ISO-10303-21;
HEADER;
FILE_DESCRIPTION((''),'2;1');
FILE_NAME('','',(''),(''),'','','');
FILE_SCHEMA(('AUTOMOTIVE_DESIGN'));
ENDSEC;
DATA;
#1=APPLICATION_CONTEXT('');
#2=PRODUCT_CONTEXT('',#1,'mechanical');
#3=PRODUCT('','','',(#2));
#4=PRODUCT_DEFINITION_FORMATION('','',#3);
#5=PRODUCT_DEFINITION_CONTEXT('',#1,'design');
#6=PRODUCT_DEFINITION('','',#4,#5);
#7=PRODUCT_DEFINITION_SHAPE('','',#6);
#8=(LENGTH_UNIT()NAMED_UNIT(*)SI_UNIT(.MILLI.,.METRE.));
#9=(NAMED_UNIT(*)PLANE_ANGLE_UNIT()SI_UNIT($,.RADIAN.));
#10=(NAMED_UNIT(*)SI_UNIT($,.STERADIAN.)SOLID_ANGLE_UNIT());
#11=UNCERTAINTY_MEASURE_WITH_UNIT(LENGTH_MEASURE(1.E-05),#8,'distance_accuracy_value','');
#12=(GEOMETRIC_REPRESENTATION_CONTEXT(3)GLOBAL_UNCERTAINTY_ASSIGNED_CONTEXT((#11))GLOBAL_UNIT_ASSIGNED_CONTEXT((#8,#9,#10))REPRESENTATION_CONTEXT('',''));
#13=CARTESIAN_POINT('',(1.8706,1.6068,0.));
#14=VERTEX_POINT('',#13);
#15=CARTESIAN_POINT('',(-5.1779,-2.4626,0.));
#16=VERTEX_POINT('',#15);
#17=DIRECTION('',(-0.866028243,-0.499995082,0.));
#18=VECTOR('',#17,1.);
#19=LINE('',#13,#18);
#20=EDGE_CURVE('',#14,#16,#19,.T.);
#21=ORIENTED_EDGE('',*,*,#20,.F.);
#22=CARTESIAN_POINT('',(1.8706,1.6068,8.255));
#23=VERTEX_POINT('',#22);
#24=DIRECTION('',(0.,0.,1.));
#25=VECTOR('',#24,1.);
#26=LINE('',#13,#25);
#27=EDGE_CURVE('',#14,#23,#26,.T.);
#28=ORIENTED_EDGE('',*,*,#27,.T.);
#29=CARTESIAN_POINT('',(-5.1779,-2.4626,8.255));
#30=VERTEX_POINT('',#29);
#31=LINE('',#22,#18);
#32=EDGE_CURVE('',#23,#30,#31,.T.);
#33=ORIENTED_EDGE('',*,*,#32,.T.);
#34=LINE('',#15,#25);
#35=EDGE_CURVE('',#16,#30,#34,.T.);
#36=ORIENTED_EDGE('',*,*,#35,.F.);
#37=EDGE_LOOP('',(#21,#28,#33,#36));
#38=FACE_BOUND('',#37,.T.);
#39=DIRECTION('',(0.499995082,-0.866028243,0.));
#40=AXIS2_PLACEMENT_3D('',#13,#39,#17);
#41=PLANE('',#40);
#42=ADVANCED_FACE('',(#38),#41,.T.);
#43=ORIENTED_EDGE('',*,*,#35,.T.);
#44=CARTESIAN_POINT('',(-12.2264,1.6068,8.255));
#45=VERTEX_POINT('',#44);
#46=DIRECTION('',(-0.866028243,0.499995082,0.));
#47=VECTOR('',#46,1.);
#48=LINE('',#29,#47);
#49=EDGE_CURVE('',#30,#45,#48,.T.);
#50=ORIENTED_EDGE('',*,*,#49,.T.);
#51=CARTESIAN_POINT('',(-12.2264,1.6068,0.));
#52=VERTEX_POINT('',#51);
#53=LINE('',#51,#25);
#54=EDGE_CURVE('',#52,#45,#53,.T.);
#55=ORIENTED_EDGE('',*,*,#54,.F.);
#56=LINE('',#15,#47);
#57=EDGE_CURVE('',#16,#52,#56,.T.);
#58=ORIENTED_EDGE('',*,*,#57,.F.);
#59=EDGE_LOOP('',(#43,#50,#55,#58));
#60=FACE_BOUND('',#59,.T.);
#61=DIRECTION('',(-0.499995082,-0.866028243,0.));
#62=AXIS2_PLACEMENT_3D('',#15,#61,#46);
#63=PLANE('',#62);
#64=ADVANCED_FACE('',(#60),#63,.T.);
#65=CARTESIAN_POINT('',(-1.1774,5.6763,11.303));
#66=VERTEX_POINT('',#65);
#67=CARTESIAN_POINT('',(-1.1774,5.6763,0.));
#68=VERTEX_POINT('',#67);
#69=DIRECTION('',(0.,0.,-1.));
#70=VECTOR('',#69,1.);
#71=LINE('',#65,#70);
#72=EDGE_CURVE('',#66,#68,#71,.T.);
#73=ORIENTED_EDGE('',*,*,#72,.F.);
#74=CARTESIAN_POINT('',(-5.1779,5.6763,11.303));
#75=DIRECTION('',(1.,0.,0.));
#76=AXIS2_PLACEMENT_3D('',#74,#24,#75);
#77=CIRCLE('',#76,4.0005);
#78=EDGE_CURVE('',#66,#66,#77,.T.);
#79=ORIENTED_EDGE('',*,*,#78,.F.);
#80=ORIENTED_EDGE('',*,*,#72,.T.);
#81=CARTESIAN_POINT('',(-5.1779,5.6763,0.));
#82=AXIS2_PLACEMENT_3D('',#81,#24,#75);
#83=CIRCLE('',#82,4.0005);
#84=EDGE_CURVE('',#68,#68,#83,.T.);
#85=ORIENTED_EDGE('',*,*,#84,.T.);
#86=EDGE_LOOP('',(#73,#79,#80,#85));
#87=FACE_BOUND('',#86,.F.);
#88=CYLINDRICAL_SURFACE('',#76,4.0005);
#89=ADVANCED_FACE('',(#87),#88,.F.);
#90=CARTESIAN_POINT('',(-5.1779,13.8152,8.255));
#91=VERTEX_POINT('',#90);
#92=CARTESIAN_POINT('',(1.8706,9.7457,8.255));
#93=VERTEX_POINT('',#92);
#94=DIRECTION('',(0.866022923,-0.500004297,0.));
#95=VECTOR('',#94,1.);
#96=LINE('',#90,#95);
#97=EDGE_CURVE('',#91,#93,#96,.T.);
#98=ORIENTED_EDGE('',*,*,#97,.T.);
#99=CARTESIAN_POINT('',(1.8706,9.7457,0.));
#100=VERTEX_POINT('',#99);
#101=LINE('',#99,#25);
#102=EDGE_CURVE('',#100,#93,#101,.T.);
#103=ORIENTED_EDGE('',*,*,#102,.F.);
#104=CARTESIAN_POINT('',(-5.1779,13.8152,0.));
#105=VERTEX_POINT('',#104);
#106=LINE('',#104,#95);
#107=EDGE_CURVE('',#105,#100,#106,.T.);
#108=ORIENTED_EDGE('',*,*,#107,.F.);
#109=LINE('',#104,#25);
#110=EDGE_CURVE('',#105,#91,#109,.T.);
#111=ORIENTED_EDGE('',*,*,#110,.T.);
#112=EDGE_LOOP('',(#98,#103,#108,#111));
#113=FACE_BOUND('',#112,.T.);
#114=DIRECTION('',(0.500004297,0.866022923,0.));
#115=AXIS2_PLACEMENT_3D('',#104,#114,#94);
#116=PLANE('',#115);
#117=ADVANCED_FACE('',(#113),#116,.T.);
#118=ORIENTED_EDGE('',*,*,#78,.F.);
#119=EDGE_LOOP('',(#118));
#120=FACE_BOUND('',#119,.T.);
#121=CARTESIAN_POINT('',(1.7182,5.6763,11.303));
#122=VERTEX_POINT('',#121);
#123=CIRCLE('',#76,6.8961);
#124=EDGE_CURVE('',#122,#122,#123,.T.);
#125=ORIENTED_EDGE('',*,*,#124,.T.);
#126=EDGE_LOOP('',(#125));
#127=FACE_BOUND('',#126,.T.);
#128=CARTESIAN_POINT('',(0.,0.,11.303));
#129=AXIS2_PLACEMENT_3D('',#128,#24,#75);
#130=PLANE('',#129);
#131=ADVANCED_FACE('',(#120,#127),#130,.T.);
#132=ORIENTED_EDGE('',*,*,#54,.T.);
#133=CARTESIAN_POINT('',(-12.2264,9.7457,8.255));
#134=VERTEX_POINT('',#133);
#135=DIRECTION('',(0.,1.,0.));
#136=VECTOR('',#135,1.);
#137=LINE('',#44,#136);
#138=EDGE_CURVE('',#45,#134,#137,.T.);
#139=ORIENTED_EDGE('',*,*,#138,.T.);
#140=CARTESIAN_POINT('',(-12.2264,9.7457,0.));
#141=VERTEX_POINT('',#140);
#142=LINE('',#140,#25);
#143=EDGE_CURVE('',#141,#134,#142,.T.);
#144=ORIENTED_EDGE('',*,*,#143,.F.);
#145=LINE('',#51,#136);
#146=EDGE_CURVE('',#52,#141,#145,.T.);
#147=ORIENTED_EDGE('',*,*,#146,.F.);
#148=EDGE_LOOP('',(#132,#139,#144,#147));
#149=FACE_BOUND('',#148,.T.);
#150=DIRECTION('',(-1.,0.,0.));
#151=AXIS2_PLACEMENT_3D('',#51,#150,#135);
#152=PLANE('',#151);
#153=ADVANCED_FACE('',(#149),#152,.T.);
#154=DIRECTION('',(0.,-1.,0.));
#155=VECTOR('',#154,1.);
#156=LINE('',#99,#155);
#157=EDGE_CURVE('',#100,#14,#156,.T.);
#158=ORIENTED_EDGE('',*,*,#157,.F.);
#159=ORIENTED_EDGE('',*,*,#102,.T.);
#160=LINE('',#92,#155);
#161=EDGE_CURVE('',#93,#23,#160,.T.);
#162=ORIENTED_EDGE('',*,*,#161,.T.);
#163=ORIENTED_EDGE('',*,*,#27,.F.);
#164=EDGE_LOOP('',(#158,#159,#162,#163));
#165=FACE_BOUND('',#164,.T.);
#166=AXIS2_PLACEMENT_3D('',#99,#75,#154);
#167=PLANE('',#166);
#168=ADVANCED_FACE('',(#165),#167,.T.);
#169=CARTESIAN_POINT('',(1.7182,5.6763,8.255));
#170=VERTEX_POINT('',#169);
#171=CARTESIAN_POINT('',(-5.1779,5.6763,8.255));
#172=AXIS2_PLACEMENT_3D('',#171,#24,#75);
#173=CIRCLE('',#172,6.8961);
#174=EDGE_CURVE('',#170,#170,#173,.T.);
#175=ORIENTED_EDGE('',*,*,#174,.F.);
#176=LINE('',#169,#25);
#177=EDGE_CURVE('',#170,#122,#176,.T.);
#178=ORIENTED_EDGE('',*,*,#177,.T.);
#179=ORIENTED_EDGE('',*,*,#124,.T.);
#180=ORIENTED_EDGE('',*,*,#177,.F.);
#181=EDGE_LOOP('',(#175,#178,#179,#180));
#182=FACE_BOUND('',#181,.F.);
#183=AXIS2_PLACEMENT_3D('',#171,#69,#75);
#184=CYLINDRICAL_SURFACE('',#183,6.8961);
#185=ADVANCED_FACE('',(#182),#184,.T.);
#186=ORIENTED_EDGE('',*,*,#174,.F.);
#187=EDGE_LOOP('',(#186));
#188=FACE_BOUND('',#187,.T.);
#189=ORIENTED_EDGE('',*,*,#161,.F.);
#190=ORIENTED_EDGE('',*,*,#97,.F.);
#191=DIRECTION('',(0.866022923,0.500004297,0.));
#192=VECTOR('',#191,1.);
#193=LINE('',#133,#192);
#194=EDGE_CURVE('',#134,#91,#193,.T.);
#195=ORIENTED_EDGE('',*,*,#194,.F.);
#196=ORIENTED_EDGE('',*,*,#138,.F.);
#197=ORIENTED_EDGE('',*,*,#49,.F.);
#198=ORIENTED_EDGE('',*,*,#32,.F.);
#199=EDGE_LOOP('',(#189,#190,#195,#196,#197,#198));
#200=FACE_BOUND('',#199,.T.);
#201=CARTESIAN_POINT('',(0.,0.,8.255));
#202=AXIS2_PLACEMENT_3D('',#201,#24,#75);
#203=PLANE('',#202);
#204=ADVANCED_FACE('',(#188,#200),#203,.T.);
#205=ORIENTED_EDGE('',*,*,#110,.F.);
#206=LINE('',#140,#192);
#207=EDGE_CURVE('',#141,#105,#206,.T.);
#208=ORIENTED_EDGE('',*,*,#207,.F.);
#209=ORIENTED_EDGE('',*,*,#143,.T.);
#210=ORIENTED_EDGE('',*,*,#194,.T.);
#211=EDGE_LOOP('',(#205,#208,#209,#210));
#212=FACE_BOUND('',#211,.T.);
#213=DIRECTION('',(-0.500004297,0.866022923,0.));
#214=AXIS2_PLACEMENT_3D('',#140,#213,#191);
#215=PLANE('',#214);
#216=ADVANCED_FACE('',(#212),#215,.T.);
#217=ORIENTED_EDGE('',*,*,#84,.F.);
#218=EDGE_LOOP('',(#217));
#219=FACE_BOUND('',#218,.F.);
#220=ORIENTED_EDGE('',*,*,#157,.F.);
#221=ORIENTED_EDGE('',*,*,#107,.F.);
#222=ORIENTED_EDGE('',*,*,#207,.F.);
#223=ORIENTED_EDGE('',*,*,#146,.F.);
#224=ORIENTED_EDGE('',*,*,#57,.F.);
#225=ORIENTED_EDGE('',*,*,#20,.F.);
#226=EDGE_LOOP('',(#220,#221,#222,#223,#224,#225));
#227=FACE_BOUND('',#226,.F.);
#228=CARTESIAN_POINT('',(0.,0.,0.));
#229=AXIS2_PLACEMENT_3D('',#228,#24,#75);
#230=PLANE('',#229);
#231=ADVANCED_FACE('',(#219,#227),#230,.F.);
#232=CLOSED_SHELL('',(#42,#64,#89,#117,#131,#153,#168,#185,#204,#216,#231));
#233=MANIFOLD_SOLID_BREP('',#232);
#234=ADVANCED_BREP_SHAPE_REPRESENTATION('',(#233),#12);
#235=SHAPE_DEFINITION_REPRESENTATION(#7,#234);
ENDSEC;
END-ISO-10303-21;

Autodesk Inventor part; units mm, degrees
ref_plane "YZ Plane" through (0, 0, 0) normal (1, 0, 0) x (0, 1, 0)
ref_plane "XZ Plane" through (0, 0, 0) normal (0, 1, 0) x (-1, 0, 0)
ref_plane "XY Plane" through (0, 0, 0) normal (0, 0, 1) x (1, 0, 0)
sketch "Sketch1" plane through (0, 0, 0) normal (0, 0, 1) x (1, 0, 0)
  line L0 (-12.2264, 9.7457) -> (-5.1779, 13.8152)
  line L1 (-5.1779, 13.8152) -> (1.8706, 9.7457)
  line L2 (1.8706, 9.7457) -> (1.8706, 1.6068)
  line L3 (1.8706, 1.6068) -> (-5.1779, -2.4626)
  line L4 (-5.1779, -2.4626) -> (-12.2264, 1.6068)
  line L5 (-12.2264, 1.6068) -> (-12.2264, 9.7457)
  point P0 (0, 0)
  point P1 (-5.1779, 5.6763)
  dimension "d0" = 14.097
extrude "Extrusion1" add sketch "Sketch1" along normal blind 8.255
sketch "Sketch2" plane through (0, 0, 8.255) normal (0, 0, 1) x (1, 0, 0)
  circle A0 centre (-5.1779, 5.6763) radius 6.8961
  point P0 (0, 0)
  dimension "d3" = 13.7922
extrude "Extrusion2" add sketch "Sketch2" along normal blind 3.048
sketch "Sketch3" plane through (-5.1779, 5.6763, 11.303) normal (0, 0, 1) x (1, 0, 0)
  circle A0 centre (0, 0) radius 6.8961 projected
  circle A1 centre (0, 0) radius 4.0005
  point P0 (5.1779, -5.6763)
  dimension "d6" = 8.001
extrude "Extrusion3" cut sketch "Sketch3" against normal through all contours A1
thread "Thread1" size "3/8-16 UNC" class "2B" standard "ANSI Unified Screw Threads" full length
properties part number "Big Nut 1764"
